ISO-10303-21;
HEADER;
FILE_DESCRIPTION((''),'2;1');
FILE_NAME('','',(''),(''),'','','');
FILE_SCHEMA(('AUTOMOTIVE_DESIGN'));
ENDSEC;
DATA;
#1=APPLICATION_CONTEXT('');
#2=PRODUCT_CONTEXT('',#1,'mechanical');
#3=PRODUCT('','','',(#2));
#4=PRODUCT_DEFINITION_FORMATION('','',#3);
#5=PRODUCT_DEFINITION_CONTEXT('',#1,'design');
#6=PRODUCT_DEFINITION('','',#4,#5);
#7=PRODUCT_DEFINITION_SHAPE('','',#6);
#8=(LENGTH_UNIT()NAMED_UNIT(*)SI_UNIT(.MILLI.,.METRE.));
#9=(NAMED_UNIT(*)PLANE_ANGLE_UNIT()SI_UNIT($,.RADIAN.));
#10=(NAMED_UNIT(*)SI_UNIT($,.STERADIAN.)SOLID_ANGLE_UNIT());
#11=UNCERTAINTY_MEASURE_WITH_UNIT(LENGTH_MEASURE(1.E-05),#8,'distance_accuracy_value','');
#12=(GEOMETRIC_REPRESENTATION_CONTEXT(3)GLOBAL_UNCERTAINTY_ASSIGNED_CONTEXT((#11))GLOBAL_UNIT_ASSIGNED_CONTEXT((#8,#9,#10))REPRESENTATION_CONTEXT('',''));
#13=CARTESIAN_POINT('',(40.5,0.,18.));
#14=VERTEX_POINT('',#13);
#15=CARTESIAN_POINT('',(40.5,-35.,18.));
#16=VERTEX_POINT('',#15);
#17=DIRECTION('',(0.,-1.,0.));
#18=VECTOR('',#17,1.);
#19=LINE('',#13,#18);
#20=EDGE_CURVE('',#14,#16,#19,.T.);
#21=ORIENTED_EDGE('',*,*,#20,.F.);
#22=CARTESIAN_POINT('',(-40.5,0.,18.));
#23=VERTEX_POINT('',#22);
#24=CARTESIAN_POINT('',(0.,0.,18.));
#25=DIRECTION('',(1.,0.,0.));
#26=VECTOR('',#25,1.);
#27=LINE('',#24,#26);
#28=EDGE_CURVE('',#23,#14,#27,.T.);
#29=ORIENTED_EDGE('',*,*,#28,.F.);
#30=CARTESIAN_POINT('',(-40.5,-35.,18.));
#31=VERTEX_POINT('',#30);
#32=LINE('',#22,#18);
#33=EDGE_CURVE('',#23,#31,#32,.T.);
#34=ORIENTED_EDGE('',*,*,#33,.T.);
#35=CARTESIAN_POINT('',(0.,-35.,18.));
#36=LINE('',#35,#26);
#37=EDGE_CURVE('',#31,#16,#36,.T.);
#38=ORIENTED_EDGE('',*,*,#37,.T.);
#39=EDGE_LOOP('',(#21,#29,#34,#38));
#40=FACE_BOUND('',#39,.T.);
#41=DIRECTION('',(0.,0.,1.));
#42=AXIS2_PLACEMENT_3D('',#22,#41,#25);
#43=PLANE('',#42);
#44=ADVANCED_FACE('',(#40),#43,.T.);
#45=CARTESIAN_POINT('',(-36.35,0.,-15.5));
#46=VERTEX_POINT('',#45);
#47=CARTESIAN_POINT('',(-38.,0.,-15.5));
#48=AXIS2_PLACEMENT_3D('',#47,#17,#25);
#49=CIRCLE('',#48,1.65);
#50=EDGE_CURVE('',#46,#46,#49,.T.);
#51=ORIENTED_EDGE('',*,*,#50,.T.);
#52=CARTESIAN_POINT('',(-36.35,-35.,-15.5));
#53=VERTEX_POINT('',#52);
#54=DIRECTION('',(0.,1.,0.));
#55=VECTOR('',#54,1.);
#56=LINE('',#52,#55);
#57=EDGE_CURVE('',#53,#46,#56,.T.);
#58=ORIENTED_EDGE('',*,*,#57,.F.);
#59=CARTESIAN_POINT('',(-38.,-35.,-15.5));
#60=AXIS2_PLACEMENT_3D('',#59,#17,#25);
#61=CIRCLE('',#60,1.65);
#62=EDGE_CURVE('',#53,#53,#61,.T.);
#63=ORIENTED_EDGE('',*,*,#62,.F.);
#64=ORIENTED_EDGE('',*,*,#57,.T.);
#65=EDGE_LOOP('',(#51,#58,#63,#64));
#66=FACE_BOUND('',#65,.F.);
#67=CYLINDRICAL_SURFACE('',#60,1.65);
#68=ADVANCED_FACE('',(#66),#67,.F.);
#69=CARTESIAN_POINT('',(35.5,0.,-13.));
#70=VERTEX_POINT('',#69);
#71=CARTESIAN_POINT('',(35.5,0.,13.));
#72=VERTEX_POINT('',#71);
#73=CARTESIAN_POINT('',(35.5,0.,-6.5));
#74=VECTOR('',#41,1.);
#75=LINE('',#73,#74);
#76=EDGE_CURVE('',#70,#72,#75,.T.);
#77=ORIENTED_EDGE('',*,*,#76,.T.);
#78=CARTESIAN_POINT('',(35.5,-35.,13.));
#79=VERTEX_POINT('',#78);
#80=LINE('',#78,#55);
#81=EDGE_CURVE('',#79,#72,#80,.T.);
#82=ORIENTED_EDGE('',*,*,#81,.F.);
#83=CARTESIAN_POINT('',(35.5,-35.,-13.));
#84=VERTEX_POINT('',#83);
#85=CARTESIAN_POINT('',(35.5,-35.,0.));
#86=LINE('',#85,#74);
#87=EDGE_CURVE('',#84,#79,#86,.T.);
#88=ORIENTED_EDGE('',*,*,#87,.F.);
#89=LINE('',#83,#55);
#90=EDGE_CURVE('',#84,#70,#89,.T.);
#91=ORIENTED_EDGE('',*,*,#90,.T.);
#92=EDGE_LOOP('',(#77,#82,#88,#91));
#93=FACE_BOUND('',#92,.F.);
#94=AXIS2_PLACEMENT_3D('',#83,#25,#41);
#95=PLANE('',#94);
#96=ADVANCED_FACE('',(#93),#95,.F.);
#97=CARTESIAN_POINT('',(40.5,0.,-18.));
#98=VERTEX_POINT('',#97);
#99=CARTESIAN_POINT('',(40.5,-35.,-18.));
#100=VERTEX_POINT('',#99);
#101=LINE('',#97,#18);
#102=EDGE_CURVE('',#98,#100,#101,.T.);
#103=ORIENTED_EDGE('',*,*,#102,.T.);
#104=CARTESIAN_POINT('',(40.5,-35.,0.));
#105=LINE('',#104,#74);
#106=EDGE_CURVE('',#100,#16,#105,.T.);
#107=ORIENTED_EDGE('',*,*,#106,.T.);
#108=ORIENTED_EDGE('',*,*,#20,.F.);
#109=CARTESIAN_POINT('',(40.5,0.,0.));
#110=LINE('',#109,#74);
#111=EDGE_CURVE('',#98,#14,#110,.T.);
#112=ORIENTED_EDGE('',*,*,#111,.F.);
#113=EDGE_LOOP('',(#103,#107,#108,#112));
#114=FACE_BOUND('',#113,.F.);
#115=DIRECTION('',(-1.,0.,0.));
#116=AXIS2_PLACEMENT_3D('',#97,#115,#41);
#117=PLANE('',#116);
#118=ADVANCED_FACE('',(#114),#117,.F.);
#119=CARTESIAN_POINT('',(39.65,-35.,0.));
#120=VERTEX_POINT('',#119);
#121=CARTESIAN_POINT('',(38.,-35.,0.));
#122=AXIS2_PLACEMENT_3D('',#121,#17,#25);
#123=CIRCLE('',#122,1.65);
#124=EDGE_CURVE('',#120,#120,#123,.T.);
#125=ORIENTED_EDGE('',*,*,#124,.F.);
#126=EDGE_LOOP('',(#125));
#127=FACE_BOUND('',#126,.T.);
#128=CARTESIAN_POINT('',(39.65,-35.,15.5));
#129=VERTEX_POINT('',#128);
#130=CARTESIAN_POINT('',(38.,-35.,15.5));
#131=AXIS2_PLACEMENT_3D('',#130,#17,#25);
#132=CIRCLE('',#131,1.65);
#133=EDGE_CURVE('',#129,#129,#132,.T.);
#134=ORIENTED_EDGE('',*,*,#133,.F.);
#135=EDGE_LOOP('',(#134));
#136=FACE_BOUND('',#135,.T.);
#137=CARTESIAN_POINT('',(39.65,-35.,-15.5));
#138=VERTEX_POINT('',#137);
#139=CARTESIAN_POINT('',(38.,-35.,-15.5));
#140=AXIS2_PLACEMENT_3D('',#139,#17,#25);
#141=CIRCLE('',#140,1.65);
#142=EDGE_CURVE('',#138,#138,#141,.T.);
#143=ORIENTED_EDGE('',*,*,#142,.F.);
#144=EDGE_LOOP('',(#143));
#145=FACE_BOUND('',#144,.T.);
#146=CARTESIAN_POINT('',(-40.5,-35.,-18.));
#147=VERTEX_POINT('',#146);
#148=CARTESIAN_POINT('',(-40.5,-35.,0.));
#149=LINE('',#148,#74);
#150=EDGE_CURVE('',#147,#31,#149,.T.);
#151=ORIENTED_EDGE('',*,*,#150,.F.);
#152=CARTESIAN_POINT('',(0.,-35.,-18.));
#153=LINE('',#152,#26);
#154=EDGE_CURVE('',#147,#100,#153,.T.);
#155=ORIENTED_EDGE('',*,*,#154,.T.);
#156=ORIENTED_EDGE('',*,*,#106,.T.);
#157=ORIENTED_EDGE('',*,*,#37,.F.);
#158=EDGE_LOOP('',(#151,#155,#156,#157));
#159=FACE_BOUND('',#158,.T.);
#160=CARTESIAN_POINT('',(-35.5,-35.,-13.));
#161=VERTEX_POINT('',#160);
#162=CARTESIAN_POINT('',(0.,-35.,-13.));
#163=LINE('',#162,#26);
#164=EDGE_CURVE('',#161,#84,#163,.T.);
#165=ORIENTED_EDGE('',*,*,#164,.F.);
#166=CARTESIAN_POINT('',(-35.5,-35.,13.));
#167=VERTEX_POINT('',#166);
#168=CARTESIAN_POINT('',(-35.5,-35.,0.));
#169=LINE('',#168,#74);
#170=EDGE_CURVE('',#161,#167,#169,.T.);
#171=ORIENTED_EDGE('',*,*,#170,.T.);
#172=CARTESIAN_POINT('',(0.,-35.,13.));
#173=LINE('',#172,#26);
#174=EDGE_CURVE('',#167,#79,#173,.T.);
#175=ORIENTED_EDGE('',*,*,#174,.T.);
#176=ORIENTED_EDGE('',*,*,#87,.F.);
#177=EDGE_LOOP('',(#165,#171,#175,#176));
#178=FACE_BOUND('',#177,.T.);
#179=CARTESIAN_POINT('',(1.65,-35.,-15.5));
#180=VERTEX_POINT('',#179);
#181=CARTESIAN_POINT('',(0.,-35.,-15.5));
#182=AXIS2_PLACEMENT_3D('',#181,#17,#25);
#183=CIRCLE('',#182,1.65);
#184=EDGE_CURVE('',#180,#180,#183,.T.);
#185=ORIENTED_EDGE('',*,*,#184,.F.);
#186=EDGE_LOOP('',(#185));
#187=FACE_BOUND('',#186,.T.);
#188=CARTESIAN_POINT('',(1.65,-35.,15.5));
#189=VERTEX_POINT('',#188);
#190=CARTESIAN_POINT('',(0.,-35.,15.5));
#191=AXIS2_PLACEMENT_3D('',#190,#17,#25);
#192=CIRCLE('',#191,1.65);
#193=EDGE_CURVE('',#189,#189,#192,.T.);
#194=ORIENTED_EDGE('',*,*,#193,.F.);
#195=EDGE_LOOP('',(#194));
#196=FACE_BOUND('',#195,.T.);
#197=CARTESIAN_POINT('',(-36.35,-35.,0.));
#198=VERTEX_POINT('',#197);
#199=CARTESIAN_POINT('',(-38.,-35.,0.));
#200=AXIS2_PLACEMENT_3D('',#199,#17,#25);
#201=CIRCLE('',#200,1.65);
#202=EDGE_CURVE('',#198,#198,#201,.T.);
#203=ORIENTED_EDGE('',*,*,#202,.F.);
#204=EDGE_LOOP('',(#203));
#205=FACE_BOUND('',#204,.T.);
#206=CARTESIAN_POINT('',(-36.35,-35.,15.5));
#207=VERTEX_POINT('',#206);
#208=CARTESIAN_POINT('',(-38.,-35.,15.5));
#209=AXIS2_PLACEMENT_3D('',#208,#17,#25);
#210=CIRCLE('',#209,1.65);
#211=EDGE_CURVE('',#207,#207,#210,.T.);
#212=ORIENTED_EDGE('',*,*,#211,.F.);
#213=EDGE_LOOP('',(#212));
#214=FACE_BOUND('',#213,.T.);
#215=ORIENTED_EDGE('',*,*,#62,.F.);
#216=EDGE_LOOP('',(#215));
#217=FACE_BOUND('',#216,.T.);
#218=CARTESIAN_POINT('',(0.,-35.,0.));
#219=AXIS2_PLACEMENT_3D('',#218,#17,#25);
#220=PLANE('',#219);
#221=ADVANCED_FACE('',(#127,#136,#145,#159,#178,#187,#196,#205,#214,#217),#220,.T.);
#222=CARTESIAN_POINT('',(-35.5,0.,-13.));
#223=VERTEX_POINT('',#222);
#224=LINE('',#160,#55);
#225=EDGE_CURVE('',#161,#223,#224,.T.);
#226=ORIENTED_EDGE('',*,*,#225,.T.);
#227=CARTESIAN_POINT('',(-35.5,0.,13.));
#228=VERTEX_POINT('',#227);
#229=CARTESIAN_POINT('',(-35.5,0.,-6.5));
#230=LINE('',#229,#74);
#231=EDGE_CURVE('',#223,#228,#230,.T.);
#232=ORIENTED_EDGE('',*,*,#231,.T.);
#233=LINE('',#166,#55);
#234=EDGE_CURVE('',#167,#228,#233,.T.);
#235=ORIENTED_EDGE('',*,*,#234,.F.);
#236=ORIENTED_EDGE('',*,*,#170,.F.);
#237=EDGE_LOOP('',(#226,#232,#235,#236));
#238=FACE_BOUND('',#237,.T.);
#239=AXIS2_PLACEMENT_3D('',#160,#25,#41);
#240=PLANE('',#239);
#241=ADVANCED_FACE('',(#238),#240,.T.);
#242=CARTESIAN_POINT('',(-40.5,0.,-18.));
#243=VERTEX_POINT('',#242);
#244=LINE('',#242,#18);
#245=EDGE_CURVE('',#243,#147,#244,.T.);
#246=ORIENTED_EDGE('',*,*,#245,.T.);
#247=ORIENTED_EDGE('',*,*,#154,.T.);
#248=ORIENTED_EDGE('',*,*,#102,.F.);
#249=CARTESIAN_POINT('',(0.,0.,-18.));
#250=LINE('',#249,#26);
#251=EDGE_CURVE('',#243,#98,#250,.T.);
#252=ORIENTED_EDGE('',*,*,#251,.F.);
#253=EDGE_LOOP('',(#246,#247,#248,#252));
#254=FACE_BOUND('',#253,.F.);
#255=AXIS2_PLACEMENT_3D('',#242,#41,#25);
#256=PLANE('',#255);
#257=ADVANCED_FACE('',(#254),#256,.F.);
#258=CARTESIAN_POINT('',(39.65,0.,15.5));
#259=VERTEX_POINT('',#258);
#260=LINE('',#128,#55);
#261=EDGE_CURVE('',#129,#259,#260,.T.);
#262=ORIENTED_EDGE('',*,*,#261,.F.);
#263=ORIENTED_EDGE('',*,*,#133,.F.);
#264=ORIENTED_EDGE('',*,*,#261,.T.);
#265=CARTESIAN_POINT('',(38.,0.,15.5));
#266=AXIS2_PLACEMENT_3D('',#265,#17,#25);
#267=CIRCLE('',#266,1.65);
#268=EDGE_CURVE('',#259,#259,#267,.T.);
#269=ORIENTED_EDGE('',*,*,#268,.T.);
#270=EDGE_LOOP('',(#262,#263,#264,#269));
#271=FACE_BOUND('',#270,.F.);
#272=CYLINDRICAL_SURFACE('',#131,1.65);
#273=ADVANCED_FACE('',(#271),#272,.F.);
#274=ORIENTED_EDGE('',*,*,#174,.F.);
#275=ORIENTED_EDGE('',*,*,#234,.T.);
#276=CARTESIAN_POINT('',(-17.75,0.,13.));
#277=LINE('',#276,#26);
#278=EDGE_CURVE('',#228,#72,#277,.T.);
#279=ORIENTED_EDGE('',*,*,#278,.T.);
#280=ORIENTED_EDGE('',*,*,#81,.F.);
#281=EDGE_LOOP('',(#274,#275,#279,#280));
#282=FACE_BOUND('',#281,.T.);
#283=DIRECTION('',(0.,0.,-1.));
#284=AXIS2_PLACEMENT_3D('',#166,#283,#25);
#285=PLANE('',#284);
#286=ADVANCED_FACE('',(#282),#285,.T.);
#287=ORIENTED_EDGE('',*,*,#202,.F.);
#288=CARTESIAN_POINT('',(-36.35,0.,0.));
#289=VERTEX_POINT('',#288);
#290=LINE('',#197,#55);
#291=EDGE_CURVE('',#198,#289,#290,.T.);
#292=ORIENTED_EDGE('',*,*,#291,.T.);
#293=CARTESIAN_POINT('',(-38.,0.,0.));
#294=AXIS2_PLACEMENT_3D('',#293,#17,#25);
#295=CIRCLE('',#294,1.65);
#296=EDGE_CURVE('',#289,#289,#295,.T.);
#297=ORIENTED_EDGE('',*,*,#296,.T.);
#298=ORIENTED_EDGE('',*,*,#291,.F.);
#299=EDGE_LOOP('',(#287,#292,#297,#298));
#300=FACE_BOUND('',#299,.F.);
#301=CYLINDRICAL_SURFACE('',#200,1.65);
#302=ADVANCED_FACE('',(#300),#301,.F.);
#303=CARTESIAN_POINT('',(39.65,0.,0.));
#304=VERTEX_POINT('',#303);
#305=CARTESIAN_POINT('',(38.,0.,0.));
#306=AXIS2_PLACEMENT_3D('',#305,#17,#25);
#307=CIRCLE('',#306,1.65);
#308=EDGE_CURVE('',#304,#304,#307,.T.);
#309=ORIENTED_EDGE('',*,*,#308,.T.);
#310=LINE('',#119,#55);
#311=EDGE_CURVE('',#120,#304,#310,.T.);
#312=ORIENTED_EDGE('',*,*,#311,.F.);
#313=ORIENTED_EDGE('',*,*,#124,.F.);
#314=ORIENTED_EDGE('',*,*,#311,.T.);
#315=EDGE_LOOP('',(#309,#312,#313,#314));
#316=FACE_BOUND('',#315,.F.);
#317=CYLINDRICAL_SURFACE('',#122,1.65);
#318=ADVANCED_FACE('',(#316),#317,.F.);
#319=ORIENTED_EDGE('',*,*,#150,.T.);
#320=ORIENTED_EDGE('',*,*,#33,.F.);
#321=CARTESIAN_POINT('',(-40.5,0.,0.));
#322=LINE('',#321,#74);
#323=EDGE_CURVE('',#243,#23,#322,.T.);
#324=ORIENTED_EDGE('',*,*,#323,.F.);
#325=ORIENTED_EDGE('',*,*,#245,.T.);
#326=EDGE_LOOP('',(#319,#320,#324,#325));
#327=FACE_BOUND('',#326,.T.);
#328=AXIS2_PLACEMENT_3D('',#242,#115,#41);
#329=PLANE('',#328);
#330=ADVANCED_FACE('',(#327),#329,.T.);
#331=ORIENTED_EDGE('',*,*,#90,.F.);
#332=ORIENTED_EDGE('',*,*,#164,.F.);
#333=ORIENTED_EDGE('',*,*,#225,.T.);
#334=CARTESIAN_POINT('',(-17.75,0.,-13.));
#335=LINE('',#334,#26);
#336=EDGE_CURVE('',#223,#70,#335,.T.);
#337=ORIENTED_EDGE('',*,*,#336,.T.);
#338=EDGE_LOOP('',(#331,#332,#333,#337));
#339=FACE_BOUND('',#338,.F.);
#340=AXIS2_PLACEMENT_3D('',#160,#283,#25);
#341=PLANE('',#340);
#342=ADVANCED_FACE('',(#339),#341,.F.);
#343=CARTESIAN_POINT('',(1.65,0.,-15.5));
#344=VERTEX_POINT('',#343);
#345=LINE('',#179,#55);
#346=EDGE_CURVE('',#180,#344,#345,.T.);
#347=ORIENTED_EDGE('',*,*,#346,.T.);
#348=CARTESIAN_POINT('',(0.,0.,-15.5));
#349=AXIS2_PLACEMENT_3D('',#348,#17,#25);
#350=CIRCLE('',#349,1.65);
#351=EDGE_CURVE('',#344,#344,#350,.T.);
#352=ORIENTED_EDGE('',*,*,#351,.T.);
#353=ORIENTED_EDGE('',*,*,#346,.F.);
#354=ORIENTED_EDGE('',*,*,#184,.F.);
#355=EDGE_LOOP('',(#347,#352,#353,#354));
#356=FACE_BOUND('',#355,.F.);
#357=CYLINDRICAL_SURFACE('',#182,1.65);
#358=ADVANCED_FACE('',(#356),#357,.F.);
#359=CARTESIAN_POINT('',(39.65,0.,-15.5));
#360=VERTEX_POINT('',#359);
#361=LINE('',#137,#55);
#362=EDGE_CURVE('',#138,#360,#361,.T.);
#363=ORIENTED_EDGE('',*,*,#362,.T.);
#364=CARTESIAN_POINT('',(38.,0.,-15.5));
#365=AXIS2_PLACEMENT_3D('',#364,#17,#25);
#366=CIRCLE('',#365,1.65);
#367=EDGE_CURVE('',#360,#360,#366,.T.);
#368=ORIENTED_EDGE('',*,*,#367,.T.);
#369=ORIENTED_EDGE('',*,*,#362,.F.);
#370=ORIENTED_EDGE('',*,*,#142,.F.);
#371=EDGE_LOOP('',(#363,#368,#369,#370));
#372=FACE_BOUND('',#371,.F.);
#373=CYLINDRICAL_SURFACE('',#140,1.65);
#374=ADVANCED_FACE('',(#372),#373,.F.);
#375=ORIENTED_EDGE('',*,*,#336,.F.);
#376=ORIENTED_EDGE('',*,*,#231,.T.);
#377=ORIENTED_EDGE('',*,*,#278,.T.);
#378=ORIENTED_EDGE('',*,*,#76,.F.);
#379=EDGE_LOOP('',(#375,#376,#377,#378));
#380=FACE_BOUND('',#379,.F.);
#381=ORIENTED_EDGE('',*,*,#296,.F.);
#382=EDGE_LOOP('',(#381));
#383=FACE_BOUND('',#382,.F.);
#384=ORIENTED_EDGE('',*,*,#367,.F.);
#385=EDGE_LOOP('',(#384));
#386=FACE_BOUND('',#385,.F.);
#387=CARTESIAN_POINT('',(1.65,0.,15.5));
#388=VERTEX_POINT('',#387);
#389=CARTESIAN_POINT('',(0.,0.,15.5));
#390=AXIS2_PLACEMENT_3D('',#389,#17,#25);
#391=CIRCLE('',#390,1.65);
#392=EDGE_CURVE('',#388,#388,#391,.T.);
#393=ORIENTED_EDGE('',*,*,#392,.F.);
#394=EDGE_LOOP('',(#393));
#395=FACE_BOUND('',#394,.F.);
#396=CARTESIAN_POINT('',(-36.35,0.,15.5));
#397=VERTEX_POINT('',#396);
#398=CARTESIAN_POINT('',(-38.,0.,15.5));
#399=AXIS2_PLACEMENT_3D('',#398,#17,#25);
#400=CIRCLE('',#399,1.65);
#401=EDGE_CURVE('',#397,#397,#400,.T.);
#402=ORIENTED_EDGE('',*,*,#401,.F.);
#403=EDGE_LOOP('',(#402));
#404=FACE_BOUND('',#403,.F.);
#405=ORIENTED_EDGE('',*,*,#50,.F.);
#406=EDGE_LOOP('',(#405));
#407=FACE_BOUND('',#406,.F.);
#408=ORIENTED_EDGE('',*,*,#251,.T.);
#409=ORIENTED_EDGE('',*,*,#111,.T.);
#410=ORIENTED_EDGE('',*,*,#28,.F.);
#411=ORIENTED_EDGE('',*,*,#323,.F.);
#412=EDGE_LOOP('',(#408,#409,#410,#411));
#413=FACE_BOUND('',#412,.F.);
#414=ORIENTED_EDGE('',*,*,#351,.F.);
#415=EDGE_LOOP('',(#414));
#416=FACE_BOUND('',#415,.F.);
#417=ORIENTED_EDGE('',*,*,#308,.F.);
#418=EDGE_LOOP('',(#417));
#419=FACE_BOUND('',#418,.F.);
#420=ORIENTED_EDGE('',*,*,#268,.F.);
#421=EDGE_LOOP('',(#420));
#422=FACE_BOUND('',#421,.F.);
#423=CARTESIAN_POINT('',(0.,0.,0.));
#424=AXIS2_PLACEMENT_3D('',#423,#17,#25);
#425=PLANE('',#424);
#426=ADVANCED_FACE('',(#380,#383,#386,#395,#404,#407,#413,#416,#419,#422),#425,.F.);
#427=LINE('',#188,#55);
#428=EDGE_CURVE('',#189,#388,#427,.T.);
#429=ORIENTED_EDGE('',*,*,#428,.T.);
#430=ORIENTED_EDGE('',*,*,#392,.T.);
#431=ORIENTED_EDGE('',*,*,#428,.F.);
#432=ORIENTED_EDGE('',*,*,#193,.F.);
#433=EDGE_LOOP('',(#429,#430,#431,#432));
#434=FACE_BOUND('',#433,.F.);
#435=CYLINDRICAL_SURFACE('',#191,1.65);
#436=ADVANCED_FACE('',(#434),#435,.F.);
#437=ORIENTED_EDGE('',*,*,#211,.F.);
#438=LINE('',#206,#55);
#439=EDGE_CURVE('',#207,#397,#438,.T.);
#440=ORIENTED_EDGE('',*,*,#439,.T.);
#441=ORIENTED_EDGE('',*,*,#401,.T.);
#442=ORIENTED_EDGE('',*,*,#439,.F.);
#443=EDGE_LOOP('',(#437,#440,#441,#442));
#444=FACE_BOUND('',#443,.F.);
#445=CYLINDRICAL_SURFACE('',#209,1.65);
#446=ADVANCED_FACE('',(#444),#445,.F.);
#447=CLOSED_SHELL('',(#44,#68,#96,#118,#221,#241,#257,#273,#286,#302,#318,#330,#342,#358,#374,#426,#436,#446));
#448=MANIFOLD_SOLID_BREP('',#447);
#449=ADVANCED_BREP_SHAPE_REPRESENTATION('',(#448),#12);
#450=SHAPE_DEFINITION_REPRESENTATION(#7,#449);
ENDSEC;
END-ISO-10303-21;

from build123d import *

# Parameters (mm, degrees)
F0_W     = 81
F0_H     = 36
F1_DEPTH = 35
F2_W     = 71
F2_H     = 26
F3_DEPTH = 35.001
F4_R     = 1.65
F5_DEPTH = 35.001


with BuildPart() as f1:
    # F0 (on Front) → F1 (new body)
    with BuildSketch(Plane.XZ):
        Rectangle(F0_W, F0_H)
    extrude(amount=F1_DEPTH)

    # F2 (on face) → F3 (cut, through all)
    with BuildSketch(Plane.XZ.offset(35)):
        Rectangle(F2_W, F2_H)
    extrude(amount=-F3_DEPTH, mode=Mode.SUBTRACT)

    # F4 (on face) → F5 (cut, through all)
    with BuildSketch(Plane.XZ.offset(35)):
        with Locations((0, 15.5)):
            Circle(F4_R)
        with Locations((38, 15.5)):
            Circle(F4_R)
        with Locations((38, 0)):
            Circle(F4_R)
        with Locations((38, -15.5)):
            Circle(F4_R)
        with Locations((0, -15.5)):
            Circle(F4_R)
        with Locations((-38, -15.5)):
            Circle(F4_R)
        with Locations((-38, 0)):
            Circle(F4_R)
        with Locations((-38, 15.5)):
            Circle(F4_R)
    extrude(amount=-F5_DEPTH, mode=Mode.SUBTRACT)


solid = f1.part
